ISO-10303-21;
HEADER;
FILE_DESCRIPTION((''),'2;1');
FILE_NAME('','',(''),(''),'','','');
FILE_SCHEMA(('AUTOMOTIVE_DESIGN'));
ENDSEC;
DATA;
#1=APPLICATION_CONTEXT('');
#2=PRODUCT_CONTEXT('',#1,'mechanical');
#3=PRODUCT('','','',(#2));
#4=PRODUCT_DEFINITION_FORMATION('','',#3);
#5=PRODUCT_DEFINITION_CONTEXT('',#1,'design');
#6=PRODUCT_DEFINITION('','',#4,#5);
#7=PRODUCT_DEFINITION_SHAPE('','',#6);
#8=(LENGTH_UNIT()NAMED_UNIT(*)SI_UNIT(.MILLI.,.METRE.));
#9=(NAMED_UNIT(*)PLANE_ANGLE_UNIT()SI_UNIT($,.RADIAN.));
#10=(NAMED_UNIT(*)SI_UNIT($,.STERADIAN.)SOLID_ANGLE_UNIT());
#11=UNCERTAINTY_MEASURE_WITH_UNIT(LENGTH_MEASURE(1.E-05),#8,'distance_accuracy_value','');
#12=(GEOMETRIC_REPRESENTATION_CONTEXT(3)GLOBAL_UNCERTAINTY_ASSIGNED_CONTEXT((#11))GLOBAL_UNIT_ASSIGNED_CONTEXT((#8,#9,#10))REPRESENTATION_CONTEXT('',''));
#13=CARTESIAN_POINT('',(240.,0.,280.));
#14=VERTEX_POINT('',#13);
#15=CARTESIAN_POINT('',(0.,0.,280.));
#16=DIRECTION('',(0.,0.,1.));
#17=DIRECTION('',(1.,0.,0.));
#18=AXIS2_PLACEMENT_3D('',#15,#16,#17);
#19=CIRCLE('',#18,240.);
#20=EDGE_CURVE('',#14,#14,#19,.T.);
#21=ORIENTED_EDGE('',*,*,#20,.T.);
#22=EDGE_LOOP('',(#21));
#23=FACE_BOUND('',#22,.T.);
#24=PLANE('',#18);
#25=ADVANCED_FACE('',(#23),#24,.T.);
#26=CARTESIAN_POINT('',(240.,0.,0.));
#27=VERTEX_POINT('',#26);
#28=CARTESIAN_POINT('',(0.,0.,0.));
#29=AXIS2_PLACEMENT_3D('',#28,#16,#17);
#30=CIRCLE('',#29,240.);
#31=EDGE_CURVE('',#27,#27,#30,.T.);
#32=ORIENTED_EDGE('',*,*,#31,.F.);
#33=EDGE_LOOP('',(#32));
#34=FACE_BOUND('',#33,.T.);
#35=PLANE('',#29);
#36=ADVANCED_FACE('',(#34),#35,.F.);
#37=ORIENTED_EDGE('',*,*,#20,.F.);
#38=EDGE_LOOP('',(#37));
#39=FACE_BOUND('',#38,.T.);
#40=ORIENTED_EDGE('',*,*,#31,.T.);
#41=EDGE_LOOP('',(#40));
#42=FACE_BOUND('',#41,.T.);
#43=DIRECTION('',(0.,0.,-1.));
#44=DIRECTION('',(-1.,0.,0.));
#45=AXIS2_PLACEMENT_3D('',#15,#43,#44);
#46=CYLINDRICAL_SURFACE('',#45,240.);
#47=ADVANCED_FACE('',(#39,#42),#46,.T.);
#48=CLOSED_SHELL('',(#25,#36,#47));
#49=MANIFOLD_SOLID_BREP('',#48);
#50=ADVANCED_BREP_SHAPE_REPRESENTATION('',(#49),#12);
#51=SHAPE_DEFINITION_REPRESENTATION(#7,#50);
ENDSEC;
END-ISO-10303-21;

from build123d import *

# Parameters (mm, degrees)
SKETCH_1_R      = 240
EXTRUDE_1_DEPTH = 280


with BuildPart() as part:
    # 草图1 → 凸台-拉伸1 (new body)
    with BuildSketch(Plane.XY):
        Circle(SKETCH_1_R)
    extrude(amount=EXTRUDE_1_DEPTH)


solid = part.part
